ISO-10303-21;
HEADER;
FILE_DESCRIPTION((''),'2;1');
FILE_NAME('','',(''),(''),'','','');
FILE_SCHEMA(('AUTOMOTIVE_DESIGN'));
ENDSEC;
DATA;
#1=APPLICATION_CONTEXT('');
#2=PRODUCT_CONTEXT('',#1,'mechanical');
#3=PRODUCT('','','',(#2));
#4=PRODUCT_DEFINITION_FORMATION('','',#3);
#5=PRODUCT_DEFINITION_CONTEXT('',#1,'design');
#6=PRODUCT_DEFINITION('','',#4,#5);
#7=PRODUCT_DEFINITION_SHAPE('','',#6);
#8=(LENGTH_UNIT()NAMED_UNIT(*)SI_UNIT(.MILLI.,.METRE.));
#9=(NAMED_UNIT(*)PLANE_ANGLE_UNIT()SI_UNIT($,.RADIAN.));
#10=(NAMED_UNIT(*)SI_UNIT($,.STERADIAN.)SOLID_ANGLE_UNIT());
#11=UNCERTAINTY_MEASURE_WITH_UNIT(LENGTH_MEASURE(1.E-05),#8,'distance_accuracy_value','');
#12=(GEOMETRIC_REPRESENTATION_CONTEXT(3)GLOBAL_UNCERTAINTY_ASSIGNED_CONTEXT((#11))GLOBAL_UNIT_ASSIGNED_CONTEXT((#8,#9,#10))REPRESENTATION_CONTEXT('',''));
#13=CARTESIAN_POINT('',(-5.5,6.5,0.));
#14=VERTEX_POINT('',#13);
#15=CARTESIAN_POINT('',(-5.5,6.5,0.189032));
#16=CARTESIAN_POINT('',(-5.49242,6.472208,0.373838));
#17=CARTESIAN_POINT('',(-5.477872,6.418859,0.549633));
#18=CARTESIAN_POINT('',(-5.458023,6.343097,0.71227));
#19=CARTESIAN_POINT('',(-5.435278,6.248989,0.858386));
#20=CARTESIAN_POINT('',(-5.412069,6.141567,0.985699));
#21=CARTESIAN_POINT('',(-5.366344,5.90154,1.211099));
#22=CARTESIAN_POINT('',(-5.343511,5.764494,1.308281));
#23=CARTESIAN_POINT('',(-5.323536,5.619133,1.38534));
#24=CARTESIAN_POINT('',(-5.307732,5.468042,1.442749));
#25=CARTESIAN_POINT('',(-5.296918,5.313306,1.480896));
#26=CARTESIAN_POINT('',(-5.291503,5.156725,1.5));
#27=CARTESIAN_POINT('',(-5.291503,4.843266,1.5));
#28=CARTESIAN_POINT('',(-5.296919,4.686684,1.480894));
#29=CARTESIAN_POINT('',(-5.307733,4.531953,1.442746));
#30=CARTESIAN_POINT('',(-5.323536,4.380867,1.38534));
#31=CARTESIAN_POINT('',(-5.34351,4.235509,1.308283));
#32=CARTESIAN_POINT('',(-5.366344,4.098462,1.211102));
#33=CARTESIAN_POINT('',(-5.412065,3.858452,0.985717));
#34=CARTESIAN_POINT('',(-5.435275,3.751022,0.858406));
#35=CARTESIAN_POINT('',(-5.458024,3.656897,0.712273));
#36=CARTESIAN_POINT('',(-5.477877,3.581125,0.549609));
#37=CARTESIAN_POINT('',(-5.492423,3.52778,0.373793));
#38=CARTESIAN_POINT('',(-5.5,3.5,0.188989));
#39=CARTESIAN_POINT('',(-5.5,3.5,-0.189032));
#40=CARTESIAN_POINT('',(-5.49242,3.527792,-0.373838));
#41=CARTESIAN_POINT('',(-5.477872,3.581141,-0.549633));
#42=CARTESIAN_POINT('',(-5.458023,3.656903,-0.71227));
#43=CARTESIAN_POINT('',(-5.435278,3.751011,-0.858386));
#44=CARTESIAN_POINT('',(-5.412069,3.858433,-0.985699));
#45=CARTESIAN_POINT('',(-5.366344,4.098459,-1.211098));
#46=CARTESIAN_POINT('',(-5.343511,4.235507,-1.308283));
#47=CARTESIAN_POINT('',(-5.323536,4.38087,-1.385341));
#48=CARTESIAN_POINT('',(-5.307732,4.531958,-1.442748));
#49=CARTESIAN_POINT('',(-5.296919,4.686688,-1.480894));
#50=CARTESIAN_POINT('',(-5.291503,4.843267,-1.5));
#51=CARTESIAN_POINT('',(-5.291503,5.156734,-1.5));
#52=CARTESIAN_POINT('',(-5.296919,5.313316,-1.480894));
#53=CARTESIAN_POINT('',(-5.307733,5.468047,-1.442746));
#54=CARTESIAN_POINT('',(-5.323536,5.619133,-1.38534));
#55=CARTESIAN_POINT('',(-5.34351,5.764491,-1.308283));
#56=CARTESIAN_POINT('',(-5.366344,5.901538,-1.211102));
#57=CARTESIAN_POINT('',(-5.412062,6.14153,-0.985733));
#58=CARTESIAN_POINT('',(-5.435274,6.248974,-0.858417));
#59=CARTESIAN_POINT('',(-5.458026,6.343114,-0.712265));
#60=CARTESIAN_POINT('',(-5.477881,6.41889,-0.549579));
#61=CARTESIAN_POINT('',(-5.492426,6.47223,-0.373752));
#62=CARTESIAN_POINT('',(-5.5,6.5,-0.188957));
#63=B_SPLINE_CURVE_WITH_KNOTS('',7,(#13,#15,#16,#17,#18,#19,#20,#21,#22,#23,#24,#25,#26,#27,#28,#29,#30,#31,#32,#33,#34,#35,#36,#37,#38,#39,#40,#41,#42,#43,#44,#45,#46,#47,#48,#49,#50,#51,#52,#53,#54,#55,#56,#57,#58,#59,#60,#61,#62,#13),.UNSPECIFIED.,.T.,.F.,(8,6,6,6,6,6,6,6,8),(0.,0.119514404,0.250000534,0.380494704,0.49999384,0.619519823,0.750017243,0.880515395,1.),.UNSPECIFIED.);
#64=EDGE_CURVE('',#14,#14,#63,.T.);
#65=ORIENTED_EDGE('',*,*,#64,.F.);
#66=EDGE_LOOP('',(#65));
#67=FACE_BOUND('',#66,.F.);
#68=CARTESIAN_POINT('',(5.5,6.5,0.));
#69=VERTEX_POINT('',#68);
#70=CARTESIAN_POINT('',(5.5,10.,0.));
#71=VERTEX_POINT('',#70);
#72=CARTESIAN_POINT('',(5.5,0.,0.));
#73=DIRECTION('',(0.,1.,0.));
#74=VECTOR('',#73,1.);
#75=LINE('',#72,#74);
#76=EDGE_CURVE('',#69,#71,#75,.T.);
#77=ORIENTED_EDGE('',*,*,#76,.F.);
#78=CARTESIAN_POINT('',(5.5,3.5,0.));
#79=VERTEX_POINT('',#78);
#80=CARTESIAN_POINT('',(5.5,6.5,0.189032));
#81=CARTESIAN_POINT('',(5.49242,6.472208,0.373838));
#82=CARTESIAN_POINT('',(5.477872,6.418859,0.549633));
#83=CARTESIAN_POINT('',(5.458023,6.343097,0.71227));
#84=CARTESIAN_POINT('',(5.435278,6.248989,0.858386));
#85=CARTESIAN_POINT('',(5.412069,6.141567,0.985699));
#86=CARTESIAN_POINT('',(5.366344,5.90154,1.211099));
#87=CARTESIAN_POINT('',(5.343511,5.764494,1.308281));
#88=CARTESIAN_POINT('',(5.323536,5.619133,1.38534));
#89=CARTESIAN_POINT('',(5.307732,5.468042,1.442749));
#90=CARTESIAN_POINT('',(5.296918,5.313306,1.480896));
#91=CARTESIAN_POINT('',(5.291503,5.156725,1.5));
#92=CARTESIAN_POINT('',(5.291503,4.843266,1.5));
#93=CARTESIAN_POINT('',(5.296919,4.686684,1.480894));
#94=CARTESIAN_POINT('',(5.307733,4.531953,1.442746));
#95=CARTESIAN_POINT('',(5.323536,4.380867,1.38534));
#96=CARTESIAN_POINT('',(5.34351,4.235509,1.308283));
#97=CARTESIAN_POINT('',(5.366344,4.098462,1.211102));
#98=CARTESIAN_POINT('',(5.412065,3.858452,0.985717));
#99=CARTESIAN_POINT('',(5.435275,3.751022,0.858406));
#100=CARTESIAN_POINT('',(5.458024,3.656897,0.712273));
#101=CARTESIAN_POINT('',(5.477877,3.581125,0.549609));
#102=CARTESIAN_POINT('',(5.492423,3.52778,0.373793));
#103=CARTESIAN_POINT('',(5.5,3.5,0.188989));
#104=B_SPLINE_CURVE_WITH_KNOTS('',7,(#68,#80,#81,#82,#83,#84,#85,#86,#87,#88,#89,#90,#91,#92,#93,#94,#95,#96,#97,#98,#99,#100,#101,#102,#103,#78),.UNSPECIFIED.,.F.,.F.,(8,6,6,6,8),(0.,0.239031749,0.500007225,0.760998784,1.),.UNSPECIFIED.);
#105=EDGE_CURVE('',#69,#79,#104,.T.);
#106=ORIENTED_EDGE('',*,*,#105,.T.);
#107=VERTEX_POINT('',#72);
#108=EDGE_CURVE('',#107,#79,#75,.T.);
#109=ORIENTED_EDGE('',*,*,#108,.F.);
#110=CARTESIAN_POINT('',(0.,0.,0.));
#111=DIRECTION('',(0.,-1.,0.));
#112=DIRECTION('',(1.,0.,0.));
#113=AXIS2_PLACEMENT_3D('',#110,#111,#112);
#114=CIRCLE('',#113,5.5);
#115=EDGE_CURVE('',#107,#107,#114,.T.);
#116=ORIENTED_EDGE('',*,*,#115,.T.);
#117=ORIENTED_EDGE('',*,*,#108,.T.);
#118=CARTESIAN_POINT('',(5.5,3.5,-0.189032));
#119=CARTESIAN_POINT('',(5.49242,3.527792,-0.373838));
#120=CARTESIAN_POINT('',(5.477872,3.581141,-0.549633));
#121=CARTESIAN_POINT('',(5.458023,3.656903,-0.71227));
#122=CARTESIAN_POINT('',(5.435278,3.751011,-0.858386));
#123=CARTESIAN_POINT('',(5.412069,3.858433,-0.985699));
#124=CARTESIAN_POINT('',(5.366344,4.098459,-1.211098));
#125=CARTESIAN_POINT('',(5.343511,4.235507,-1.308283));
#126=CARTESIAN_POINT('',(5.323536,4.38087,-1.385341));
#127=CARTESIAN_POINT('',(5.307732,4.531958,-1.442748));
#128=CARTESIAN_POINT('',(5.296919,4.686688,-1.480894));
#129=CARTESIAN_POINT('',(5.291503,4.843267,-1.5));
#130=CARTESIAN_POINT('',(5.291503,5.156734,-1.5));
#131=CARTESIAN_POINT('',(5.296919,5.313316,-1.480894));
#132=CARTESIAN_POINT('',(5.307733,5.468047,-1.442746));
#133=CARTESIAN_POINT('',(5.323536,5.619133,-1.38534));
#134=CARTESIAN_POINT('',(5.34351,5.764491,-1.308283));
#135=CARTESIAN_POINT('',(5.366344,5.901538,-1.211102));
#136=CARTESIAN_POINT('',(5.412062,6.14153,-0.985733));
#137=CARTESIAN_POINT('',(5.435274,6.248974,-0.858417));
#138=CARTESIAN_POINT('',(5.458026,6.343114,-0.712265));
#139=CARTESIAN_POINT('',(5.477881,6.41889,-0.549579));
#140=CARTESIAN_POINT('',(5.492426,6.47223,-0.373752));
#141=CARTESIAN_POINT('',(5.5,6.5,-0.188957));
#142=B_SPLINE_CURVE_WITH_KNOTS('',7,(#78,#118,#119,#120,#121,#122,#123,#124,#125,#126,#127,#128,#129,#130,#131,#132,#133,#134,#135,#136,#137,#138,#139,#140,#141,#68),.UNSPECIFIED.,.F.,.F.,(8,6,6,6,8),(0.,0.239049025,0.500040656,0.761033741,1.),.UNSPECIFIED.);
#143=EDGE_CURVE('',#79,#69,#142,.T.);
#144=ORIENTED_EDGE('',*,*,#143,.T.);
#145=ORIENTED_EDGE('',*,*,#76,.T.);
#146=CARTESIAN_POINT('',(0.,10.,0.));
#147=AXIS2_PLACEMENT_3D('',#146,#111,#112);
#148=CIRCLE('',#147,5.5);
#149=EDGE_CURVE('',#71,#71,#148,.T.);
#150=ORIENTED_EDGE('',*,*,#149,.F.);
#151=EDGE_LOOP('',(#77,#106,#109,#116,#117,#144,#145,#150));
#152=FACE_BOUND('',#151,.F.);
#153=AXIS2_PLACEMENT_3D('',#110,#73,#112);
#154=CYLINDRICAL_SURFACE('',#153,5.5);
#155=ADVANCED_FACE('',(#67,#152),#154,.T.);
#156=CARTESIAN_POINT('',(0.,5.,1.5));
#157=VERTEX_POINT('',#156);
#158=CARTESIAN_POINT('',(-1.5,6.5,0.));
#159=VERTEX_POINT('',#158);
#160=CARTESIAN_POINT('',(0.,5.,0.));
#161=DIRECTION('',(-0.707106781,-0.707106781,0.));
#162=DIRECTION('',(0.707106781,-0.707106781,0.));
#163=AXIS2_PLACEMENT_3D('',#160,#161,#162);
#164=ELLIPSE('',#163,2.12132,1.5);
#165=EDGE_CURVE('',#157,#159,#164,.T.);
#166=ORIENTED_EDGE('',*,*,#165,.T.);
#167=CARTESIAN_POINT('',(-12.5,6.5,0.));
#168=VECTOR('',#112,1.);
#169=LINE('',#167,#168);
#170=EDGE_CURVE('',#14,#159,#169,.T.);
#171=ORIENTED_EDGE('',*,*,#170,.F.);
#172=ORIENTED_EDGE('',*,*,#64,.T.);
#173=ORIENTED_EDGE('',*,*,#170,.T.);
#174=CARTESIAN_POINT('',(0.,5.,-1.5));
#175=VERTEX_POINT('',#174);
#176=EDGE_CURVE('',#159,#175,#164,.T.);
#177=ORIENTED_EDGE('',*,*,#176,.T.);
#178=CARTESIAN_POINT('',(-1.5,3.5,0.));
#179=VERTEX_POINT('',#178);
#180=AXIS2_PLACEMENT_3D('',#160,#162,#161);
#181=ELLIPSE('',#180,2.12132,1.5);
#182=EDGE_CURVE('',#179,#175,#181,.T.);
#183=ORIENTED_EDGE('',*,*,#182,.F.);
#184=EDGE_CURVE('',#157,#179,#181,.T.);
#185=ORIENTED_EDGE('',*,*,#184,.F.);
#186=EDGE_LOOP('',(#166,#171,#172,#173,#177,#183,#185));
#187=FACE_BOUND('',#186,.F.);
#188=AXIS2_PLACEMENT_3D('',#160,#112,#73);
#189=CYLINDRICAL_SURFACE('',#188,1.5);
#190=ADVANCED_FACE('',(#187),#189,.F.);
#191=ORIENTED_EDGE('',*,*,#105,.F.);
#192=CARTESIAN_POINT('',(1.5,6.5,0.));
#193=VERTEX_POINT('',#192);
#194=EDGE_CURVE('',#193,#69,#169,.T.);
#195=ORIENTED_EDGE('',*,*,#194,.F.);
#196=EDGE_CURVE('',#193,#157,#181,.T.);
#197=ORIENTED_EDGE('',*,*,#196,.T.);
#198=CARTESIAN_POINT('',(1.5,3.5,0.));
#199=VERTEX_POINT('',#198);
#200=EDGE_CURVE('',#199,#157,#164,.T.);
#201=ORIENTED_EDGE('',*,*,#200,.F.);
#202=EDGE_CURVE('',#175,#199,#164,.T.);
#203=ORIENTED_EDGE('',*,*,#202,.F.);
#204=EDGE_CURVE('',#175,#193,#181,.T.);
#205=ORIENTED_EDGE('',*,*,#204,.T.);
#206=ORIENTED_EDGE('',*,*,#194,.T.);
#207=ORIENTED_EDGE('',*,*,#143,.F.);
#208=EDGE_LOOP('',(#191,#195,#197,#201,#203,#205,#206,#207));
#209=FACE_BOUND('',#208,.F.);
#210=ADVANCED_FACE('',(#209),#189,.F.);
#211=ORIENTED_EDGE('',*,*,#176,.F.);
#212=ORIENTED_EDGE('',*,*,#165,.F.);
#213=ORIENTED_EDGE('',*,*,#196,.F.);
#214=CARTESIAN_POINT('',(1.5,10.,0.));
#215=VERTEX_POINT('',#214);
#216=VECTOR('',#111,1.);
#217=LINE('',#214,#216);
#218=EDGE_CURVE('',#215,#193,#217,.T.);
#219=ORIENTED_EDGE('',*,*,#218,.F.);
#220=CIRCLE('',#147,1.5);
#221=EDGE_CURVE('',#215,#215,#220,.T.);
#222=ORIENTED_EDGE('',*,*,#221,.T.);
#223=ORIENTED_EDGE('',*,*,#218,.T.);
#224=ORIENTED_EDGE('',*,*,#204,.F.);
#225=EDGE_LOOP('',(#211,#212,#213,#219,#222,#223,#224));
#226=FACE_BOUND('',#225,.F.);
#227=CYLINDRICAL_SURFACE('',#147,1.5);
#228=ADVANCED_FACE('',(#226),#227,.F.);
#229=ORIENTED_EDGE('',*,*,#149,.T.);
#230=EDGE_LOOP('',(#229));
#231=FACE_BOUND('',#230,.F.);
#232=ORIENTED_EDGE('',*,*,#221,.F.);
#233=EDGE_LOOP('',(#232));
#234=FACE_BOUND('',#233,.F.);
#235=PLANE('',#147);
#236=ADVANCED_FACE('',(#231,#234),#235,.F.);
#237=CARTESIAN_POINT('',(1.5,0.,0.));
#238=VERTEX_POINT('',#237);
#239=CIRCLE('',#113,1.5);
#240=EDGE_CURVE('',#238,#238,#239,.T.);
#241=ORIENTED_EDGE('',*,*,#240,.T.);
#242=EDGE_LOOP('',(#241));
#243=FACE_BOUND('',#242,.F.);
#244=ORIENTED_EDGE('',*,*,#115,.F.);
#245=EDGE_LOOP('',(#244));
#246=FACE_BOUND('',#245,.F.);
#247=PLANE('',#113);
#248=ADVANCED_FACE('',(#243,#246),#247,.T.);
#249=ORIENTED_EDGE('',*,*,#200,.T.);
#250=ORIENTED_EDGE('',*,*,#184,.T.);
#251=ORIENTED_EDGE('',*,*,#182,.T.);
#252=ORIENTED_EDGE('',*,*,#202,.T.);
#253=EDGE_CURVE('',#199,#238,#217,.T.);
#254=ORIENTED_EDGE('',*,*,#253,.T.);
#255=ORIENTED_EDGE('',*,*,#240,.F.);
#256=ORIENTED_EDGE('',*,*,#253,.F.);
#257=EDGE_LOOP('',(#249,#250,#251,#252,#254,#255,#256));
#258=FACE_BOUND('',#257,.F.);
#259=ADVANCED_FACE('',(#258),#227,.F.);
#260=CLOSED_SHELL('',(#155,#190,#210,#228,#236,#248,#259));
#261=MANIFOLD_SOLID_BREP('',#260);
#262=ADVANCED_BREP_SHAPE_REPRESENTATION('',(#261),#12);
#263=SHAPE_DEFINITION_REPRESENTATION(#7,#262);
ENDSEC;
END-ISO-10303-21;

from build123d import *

# Parameters (mm, degrees)
F4_R     = 1.5
F5_DEPTH = 12.5


with BuildPart() as f1:
    # F0 (on Top) → F1 (revolve)
    with BuildSketch(Plane.XY):
        Polygon((1.5, 3.5), (1.5, 0), (5.5, 0), (5.5, 3.5), (5.5, 6.5), (5.5, 10), (1.5, 10), (1.5, 6.5), align=None)
    revolve(axis=Axis((0, 15, 0), (0, -1, 0)))

    # F4 (on Right) → F5 (cut, symmetric)
    with BuildSketch(Plane.YZ):
        with Locations((5, 0)):
            Circle(F4_R)
    extrude(amount=F5_DEPTH, both=True, mode=Mode.SUBTRACT)


solid = f1.part
